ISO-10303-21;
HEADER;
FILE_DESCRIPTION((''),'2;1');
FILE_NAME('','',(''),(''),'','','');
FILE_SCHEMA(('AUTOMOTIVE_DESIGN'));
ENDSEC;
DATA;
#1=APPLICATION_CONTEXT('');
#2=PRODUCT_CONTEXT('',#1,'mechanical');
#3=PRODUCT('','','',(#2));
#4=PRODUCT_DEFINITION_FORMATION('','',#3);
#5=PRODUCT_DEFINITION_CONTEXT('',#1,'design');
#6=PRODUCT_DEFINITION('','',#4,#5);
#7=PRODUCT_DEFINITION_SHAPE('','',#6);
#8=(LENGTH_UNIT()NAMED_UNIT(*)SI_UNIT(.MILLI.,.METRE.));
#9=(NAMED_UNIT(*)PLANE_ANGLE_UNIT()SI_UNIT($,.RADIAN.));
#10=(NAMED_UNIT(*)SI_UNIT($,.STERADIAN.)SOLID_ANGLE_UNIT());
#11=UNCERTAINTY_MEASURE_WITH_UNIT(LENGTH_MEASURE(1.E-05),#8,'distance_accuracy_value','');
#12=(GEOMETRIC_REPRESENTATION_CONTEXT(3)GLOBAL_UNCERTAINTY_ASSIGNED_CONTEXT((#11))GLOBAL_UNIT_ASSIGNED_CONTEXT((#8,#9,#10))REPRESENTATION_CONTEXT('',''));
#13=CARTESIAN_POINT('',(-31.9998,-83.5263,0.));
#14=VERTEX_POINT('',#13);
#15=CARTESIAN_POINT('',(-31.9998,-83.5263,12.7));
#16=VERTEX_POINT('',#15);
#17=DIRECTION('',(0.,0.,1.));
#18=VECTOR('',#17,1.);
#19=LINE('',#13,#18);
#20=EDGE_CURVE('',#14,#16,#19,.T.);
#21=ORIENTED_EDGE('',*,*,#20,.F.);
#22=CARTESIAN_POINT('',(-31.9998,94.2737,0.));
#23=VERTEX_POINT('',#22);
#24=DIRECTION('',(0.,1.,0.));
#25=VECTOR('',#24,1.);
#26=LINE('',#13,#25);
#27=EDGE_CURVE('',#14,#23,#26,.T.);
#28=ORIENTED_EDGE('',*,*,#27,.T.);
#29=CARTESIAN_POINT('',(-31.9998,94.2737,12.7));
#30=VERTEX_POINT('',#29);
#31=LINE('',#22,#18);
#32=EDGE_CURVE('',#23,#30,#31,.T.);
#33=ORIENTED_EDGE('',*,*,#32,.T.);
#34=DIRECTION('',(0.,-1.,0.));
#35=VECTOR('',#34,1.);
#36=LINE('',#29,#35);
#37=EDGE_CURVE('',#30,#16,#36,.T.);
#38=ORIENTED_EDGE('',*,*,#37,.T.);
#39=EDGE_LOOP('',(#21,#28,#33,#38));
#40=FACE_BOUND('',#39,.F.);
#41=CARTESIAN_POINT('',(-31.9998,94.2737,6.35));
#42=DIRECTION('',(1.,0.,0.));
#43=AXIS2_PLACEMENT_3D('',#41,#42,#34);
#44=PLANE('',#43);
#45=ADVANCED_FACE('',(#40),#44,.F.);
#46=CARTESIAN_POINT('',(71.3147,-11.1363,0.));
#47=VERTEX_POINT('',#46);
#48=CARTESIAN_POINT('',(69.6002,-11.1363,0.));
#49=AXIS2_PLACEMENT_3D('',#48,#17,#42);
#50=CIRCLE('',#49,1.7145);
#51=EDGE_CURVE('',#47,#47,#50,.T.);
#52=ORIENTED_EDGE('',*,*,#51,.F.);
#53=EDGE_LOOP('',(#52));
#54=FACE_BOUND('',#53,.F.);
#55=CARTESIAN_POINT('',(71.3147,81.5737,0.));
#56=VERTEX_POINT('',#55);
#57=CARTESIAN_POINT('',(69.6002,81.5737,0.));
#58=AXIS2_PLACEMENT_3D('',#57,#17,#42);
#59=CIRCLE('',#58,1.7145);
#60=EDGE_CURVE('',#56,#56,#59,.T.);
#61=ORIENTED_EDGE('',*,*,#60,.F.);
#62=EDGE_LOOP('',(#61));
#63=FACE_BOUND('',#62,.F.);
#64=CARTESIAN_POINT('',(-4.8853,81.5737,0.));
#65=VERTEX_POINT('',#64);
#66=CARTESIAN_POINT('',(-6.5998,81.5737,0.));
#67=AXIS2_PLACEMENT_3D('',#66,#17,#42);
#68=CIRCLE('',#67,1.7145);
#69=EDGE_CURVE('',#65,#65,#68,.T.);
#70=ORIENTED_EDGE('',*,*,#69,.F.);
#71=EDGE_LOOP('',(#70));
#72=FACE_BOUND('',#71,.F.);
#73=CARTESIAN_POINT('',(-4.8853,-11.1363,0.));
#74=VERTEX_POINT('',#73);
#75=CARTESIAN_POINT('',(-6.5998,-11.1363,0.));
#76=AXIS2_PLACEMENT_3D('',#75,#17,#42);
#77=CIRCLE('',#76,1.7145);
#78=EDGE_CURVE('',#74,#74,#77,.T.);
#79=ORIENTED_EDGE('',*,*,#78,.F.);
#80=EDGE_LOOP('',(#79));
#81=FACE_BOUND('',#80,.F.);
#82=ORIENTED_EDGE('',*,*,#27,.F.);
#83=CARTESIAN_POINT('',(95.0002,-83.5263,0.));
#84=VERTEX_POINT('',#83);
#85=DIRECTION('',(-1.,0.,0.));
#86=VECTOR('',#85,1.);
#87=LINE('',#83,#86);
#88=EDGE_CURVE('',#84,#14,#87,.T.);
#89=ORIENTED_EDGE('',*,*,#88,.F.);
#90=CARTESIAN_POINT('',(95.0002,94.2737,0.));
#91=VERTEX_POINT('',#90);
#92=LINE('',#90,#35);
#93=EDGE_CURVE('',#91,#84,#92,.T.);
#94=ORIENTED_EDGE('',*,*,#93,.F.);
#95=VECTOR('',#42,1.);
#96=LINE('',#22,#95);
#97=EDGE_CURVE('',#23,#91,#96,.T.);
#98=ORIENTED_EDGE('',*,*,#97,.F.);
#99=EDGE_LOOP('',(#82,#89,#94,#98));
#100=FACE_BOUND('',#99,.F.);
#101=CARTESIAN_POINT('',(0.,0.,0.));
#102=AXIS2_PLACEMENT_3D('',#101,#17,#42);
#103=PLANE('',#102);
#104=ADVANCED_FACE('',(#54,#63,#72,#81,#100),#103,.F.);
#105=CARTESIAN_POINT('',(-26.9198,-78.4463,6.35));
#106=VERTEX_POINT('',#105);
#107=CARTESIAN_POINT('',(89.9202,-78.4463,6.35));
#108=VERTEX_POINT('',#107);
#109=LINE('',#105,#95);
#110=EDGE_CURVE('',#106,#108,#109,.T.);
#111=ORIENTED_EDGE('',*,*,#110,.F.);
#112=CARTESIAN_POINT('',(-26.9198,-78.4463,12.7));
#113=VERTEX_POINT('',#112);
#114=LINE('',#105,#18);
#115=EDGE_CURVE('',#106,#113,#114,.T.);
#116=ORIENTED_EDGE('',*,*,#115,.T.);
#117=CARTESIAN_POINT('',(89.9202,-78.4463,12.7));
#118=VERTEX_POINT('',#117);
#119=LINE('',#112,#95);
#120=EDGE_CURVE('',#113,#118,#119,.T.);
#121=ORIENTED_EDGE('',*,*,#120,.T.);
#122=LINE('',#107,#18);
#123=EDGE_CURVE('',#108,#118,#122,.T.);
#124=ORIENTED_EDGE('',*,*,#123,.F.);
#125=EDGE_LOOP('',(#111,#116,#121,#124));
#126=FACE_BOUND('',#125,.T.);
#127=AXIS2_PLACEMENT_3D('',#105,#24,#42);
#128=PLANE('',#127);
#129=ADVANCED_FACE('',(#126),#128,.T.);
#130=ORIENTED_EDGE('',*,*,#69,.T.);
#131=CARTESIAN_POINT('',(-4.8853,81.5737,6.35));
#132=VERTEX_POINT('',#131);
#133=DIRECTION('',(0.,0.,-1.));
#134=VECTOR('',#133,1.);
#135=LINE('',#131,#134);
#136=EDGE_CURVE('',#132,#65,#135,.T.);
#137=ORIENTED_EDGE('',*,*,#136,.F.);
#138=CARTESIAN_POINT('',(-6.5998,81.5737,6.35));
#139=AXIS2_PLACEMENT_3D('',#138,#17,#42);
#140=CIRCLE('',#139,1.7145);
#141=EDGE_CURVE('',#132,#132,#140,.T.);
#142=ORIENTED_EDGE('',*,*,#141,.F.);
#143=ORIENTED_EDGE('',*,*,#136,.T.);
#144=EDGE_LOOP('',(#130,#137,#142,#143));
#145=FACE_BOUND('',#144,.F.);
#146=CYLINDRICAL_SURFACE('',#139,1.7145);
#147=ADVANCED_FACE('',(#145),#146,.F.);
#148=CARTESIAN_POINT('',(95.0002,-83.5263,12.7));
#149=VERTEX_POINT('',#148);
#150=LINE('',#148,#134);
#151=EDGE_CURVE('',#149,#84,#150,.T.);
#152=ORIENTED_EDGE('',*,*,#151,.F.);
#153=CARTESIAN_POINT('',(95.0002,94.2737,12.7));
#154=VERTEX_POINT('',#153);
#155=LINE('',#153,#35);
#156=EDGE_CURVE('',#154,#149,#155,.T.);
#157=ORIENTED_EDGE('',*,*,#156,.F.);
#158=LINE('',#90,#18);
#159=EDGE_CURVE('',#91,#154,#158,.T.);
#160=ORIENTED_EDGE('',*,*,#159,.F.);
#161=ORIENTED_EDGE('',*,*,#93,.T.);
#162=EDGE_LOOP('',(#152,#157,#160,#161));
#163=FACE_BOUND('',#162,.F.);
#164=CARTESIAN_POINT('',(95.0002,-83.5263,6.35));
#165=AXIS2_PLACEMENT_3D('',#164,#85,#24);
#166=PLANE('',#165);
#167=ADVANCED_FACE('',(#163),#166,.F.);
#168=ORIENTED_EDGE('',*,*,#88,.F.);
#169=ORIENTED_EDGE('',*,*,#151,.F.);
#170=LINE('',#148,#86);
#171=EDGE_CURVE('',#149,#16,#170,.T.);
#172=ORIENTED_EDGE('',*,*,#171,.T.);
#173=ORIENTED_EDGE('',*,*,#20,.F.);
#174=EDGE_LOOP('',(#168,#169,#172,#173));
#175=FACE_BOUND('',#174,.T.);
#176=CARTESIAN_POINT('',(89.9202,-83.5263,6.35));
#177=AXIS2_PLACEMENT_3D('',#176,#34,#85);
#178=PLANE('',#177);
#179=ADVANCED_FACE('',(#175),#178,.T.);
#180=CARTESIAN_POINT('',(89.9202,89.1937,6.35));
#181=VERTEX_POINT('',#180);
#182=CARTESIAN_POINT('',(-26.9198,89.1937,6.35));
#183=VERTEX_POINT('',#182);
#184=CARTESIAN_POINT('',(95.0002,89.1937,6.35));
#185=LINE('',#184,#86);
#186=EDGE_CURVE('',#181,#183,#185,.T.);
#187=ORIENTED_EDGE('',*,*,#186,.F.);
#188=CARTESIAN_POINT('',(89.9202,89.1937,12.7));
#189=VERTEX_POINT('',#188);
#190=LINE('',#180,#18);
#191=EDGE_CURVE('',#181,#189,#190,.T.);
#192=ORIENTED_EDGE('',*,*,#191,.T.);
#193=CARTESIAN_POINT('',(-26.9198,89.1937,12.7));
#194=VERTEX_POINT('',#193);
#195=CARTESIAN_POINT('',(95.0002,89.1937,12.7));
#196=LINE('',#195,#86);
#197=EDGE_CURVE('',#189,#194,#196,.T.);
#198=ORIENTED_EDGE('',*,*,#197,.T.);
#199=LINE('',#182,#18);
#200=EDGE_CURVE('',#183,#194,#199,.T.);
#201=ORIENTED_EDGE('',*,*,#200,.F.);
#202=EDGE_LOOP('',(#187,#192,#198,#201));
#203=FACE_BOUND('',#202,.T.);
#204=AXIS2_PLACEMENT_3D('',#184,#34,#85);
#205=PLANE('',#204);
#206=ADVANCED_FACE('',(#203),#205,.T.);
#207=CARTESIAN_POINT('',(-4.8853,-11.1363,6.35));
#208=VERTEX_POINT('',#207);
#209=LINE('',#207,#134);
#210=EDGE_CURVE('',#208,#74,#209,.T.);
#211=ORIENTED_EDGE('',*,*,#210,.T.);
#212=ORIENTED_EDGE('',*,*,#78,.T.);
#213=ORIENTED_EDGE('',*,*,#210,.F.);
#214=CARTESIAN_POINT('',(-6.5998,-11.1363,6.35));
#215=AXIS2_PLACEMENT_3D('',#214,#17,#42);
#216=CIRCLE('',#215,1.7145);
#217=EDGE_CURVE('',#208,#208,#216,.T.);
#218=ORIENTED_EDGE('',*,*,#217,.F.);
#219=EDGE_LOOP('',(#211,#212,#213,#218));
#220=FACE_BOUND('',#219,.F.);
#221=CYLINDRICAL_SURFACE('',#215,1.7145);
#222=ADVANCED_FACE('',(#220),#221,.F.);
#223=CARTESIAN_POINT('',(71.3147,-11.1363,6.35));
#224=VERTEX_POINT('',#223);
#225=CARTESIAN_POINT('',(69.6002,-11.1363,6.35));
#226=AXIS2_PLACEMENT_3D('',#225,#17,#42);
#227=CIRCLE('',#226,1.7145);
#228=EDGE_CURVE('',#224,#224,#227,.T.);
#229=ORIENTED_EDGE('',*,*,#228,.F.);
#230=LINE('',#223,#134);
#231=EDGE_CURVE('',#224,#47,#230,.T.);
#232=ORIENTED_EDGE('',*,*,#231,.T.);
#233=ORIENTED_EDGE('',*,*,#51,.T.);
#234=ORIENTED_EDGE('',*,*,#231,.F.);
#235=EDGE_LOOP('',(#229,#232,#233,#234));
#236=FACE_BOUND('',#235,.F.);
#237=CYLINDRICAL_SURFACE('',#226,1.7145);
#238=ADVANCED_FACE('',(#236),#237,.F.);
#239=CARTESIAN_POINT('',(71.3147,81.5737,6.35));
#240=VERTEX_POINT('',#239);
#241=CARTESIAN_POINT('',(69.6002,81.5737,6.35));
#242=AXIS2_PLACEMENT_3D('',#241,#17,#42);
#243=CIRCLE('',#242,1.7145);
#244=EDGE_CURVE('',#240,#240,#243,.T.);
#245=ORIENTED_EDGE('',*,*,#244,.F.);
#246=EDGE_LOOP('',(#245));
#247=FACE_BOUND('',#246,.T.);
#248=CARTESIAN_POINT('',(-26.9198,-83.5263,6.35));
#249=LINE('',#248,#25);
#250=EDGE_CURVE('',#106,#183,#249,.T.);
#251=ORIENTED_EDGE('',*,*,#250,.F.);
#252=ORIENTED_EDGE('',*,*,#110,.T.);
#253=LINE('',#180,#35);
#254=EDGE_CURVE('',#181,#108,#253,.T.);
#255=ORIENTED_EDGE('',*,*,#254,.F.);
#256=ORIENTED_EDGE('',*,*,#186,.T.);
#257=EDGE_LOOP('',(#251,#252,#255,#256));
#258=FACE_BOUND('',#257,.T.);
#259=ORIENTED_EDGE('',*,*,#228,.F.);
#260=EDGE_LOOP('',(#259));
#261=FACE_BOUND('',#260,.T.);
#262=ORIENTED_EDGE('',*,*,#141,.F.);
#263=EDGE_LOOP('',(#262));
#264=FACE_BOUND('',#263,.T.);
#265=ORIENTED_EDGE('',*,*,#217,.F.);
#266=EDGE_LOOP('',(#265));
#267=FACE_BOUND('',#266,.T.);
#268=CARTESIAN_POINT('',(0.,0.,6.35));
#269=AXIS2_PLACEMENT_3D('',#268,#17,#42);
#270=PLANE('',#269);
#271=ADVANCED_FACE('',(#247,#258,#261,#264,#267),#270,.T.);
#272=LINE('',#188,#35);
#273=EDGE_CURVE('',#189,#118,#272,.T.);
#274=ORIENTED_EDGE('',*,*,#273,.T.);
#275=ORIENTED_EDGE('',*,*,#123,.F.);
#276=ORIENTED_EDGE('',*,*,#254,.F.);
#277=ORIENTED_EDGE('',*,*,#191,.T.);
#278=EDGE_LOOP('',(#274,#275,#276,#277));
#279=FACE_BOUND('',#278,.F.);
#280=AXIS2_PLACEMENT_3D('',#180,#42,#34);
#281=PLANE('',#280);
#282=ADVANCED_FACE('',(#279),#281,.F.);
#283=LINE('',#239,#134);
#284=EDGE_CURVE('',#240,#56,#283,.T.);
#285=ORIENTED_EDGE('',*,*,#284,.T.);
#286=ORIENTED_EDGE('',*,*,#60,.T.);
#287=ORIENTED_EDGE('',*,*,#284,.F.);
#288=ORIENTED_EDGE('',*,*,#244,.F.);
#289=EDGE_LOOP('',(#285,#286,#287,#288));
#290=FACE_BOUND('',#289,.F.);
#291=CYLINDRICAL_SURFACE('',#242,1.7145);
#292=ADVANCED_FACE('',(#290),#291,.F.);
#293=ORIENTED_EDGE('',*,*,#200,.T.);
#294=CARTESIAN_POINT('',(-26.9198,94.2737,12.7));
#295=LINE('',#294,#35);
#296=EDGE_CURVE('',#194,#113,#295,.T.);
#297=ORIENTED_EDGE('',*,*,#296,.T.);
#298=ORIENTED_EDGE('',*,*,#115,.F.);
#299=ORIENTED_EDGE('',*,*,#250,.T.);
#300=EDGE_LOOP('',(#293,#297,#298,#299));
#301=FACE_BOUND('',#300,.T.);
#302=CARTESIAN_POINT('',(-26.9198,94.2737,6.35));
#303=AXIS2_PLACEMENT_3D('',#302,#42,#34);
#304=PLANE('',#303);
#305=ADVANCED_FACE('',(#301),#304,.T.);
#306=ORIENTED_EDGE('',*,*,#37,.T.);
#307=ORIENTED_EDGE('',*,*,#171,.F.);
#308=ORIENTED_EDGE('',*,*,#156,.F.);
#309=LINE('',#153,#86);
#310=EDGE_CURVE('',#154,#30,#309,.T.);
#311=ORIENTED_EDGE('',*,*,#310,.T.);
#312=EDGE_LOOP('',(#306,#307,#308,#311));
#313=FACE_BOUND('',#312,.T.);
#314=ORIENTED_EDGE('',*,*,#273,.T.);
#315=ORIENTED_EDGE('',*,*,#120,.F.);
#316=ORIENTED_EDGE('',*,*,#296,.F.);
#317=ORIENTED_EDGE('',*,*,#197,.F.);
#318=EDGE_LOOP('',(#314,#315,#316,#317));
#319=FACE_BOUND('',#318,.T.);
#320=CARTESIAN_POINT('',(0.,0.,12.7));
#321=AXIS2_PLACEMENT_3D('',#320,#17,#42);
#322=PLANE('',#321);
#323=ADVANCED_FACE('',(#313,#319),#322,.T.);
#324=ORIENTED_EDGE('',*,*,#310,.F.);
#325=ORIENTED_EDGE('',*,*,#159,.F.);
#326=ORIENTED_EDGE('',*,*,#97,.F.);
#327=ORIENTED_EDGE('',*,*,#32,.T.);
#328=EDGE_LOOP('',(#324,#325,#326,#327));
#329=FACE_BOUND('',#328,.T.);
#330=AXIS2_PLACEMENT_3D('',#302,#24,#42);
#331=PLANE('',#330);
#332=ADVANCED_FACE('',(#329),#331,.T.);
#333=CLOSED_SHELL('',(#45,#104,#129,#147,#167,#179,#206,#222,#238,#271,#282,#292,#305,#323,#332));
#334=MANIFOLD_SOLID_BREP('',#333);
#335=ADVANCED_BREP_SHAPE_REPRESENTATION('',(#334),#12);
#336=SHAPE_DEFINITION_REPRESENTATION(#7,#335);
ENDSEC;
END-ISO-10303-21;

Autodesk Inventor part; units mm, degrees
ref_plane "YZ Plane" through (0, 0, 0) normal (1, 0, 0) x (0, 1, 0)
ref_plane "XZ Plane" through (0, 0, 0) normal (0, 1, 0) x (-1, 0, 0)
ref_plane "XY Plane" through (0, 0, 0) normal (0, 0, 1) x (1, 0, 0)
sketch "Sketch1" plane through (0, 0, 0) normal (0, 0, 1) x (1, 0, 0)
  line L0 (-31.9998, 94.2737) -> (95.0002, 94.2737)
  line L1 (95.0002, 94.2737) -> (95.0002, -83.5263)
  line L2 (95.0002, -83.5263) -> (-31.9998, -83.5263)
  line L3 (-31.9998, -83.5263) -> (-31.9998, 94.2737)
  point P0 (0, 0)
  dimension "d0" = 127
  dimension "d1" = 177.8
ref_plane "Work Plane1" through (0, 0, 6.35) normal (0, 0, 1) x (1, 0, 0)
sketch "Sketch3" plane through (0, 0, 6.35) normal (0, 0, 1) x (1, 0, 0)
  circle A0 centre (-6.5998, 81.5737) radius 1.7145
  line L0 (-57.3998, 94.2737) -> (-57.3998, -108.9263) projected
  circle A1 centre (69.6002, 81.5737) radius 1.7145
  circle A2 centre (-6.5998, -11.1363) radius 1.7145
  circle A3 centre (69.6002, -11.1363) radius 1.7145
  line L1 (95.0002, -108.9263) -> (95.0002, 94.2737) projected
  line L2 (95.0002, 94.2737) -> (-57.3998, 94.2737) projected
  point P0 (0, 0)
  dimension "d4" = 3.429
  dimension "d7" = 50.8
  dimension "d14" = 3.429
  dimension "d15" = 3.429
  dimension "d16" = 3.429
  dimension "d17" = 76.2
  dimension "d18" = 92.71
  dimension "d19" = 92.71
  dimension "d20" = 76.2
  dimension "d21" = 25.4
  dimension "d22" = 12.7
  dimension "d23" = 12.7
extrude "Extrusion3" add sketch "Sketch1" along normal blind 6.35
extrude "Extrusion4" cut sketch "Sketch3" against normal blind 6.35
sketch "Sketch4" plane through (0, 0, 6.35) normal (0, 0, 1) x (1, 0, 0)
  point P0 (0, 0)
sketch "Sketch6" plane through (0, 0, 6.35) normal (0, 0, 1) x (1, 0, 0)
  line L0 (-31.9998, 94.2737) -> (-31.9998, -83.5263) projected
  line L1 (-31.9998, 94.2737) -> (-26.9198, 94.2737)
  line L2 (-26.9198, 94.2737) -> (-26.9198, -83.5263)
  line L3 (-26.9198, -83.5263) -> (-31.9998, -83.5263)
  line L4 (-31.9998, -83.5263) -> (-31.9998, 94.2737)
  line L5 (95.0002, -83.5263) -> (95.0002, 94.2737) projected
  line L6 (-31.9998, -83.5263) -> (95.0002, -83.5263) projected
  line L7 (95.0002, 94.2737) -> (89.9202, 94.2737)
  line L8 (89.9202, 94.2737) -> (89.9202, -83.5263)
  line L9 (89.9202, -83.5263) -> (95.0002, -83.5263)
  line L10 (95.0002, -83.5263) -> (95.0002, 94.2737)
  line L11 (-26.9198, 94.2737) -> (89.9202, 94.2737)
  line L12 (89.9202, 94.2737) -> (89.9202, 89.1937)
  line L13 (89.9202, 89.1937) -> (-26.9198, 89.1937)
  line L14 (-26.9198, 89.1937) -> (-26.9198, 94.2737)
  line L15 (-26.9198, -83.5263) -> (89.9202, -83.5263)
  line L16 (89.9202, -83.5263) -> (89.9202, -78.4463)
  line L17 (89.9202, -78.4463) -> (-26.9198, -78.4463)
  line L18 (-26.9198, -78.4463) -> (-26.9198, -83.5263)
  point P0 (0, 0)
  dimension "d34" = 5.08
  dimension "d35" = 5.08
  dimension "d36" = 5.08
  dimension "d37" = 5.08
extrude "Extrusion5" add sketch "Sketch6" along normal blind 6.35 contours L1 L2 L3 L0
sketch "Sketch7" plane through (0, 0, 6.35) normal (0, 0, 1) x (1, 0, 0)
  line L0 (-26.9198, 94.2737) -> (-31.9998, 94.2737) projected
  line L1 (95.0002, -83.5263) -> (95.0002, 94.2737) projected
  line L2 (-26.9198, 94.2737) -> (95.0002, 94.2737)
  line L3 (95.0002, 94.2737) -> (95.0002, 89.1937)
  line L4 (95.0002, 89.1937) -> (-26.9198, 89.1937)
  line L5 (-26.9198, 89.1937) -> (-26.9198, 94.2737)
  point P0 (0, 0)
  dimension "d40" = 5.08
extrude "Extrusion6" add sketch "Sketch7" along normal blind 6.35
sketch "Sketch8" plane through (0, 0, 6.35) normal (0, 0, 1) x (1, 0, 0)
  line L0 (95.0002, 89.1937) -> (95.0002, 94.2737) projected
  line L1 (95.0002, 89.1937) -> (89.9202, 89.1937)
  line L2 (89.9202, 89.1937) -> (89.9202, -83.5263)
  line L3 (89.9202, -83.5263) -> (95.0002, -83.5263)
  line L4 (95.0002, -83.5263) -> (95.0002, 89.1937)
  point P0 (0, 0)
  dimension "d43" = 5.08
  dimension "d44" = 172.72
extrude "Extrusion7" add sketch "Sketch8" along normal blind 6.35
sketch "Sketch9" plane through (0, 0, 6.35) normal (0, 0, 1) x (1, 0, 0)
  line L0 (89.9202, 89.1937) -> (89.9202, -83.5263) projected
  line L1 (89.9202, -83.5263) -> (-26.9198, -83.5263)
  line L2 (-26.9198, -83.5263) -> (-26.9198, -78.4463)
  line L3 (-26.9198, -78.4463) -> (89.9202, -78.4463)
  line L4 (89.9202, -78.4463) -> (89.9202, -83.5263)
  point P0 (0, 0)
  dimension "d47" = 116.84
  dimension "d48" = 5.08
extrude "Extrusion8" add sketch "Sketch9" along normal blind 6.35
properties part number "Robot_Base"
